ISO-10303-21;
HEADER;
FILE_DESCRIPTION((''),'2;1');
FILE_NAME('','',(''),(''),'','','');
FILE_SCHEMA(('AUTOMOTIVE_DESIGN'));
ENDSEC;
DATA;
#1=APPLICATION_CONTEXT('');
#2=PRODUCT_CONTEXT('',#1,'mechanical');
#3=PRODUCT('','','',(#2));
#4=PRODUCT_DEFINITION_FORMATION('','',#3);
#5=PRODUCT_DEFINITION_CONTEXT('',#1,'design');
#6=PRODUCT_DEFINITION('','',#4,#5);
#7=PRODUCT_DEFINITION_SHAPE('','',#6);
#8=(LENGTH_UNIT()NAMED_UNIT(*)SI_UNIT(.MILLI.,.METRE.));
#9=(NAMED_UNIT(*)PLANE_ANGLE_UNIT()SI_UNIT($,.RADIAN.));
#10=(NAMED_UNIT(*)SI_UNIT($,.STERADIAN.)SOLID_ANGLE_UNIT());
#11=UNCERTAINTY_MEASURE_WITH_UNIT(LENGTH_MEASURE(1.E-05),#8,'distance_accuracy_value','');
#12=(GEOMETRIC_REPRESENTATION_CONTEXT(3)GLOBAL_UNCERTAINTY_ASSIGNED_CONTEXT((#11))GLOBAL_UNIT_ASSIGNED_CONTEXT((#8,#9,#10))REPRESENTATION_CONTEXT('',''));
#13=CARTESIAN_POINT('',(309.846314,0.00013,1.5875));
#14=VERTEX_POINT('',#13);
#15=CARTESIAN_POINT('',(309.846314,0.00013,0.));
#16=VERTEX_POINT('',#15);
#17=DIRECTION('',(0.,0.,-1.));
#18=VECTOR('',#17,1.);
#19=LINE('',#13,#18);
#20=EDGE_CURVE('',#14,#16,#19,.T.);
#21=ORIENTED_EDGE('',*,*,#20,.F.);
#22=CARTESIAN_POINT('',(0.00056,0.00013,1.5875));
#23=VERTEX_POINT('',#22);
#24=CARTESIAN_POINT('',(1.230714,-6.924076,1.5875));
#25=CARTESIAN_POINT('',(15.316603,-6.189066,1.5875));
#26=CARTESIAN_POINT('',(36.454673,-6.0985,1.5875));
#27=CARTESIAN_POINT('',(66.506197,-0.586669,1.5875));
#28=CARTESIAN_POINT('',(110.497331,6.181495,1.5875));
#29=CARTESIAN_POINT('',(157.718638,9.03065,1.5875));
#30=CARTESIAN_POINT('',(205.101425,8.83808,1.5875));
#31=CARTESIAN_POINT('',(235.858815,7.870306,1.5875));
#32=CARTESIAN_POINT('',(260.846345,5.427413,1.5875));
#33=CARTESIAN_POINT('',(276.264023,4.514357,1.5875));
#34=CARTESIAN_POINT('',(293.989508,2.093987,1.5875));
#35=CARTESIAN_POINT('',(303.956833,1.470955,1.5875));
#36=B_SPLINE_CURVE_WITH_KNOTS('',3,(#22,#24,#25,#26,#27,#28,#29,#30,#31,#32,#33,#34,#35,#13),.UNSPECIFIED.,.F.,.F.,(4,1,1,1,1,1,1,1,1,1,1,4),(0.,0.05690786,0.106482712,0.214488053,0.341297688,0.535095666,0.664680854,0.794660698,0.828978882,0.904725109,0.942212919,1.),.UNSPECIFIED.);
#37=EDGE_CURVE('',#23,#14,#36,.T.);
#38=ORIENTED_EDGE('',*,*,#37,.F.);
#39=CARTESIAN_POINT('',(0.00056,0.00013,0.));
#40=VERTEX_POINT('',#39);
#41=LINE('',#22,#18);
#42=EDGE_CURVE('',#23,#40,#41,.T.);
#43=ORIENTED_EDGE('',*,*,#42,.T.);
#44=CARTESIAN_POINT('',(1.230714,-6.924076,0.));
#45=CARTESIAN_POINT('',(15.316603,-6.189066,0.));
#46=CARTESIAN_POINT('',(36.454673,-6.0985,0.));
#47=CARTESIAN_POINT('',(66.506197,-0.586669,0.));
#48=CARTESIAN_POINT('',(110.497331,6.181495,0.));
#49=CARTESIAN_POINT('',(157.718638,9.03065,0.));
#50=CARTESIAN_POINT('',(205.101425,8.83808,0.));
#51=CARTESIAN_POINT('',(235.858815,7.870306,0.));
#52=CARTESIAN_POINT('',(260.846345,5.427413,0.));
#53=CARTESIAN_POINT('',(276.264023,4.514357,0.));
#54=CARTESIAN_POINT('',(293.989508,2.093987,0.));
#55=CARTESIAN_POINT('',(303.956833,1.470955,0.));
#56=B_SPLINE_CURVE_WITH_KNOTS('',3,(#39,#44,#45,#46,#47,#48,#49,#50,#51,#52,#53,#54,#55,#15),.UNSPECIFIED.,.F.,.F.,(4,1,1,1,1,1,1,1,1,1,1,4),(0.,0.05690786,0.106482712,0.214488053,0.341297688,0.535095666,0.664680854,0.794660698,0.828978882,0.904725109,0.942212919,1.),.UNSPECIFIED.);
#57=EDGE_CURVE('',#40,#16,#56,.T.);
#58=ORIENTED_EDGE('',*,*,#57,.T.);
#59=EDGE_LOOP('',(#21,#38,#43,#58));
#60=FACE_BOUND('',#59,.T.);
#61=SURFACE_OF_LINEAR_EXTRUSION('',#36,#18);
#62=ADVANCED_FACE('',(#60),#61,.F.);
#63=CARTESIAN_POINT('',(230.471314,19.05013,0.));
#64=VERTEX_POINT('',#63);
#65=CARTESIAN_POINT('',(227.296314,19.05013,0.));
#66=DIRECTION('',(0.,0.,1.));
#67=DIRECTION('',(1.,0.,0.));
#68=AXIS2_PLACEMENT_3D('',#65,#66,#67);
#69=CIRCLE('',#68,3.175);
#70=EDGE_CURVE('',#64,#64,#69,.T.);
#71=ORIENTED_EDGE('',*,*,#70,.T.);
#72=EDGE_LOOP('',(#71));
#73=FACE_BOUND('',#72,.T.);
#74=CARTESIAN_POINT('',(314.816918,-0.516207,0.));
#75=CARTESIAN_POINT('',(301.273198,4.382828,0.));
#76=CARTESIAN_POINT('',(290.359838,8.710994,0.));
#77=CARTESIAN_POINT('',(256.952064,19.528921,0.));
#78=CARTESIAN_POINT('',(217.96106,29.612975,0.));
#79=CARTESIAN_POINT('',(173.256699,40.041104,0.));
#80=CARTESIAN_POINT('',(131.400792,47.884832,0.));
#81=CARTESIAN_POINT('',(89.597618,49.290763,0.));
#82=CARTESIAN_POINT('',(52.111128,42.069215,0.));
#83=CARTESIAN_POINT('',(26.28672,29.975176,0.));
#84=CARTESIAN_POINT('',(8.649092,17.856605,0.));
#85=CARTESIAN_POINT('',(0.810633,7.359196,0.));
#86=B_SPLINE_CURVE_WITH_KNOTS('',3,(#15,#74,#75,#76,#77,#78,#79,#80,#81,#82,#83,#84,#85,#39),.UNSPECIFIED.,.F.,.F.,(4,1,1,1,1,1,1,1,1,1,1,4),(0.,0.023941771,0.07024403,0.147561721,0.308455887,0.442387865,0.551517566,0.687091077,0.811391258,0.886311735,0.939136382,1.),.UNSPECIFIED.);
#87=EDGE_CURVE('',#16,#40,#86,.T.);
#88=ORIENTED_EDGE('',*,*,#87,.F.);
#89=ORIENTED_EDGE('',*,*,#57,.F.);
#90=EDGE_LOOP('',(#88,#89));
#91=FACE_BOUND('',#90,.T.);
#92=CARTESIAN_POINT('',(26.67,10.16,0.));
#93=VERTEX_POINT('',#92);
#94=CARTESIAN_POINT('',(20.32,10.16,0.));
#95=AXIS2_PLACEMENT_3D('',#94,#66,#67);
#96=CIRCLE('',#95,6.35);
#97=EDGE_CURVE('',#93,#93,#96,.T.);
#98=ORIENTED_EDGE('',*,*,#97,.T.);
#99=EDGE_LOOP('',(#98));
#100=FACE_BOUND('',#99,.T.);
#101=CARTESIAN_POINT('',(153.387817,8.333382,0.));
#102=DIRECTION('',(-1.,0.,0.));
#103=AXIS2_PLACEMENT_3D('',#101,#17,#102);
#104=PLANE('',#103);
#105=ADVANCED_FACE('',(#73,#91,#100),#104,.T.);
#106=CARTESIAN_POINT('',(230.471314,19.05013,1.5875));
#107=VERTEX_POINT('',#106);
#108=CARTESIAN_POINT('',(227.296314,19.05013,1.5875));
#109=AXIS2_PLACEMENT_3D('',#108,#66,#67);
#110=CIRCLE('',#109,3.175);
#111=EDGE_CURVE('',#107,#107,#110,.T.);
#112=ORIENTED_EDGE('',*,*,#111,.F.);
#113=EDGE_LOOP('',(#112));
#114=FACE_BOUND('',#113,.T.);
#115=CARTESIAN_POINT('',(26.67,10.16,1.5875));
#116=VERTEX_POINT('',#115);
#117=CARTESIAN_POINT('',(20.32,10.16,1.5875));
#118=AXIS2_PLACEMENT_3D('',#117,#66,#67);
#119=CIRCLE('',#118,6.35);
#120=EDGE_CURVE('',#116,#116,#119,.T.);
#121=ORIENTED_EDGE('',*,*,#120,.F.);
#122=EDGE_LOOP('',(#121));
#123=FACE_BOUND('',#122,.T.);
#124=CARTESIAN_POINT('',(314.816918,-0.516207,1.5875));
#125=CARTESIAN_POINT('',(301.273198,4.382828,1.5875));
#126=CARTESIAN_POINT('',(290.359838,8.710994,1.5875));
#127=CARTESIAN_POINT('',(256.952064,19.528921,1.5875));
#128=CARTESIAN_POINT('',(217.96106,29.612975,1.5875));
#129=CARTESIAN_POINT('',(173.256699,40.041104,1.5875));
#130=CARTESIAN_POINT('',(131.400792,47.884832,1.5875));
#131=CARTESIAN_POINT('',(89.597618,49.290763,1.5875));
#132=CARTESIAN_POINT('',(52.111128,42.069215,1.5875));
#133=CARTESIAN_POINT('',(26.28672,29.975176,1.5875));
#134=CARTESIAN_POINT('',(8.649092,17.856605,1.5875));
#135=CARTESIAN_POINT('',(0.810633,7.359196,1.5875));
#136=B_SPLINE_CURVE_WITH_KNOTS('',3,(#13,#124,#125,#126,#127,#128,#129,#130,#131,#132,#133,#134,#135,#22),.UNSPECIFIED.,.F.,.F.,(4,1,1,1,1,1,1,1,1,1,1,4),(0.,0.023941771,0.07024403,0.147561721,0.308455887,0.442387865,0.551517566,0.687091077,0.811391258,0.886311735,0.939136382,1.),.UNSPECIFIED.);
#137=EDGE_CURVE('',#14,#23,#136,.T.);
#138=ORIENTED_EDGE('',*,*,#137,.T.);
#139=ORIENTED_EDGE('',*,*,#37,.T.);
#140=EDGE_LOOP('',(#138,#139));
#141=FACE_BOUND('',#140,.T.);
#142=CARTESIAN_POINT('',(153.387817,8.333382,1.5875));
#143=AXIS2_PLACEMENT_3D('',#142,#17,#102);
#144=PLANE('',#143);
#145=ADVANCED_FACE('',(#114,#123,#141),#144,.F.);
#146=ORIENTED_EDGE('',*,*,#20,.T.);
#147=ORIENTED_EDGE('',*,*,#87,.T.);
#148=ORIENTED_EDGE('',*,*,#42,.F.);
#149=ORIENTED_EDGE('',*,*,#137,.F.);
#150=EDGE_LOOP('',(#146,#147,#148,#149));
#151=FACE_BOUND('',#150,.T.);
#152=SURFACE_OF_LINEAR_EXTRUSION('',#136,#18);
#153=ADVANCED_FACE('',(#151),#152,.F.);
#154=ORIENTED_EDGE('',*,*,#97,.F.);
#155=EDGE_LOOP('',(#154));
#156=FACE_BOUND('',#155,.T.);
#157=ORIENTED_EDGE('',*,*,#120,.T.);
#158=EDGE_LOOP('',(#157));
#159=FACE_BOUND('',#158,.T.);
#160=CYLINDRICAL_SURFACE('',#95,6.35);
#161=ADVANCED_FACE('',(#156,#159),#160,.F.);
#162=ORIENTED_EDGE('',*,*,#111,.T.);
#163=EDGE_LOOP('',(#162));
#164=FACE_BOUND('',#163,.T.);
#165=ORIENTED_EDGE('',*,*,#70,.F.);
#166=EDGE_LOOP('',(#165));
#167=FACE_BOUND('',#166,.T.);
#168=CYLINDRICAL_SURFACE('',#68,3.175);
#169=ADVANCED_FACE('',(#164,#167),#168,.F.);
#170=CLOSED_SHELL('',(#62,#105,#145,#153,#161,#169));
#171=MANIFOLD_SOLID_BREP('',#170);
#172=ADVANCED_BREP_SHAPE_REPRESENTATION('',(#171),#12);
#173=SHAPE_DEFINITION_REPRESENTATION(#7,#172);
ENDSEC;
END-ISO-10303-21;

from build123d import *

# Parameters (mm, degrees)
BOSS_EXTRUDE1_DEPTH = 1.5875
SKETCH2_R           = 6.35
SKETCH2_R_2         = 3.175
CUT_EXTRUDE1_DEPTH  = 316.731983488


with BuildPart() as part:
    # Sketch1 → Boss-Extrude1 (new body)
    with BuildSketch(Plane.XY):
        with BuildLine():
            add(Edge.make_bspline(
                [(0.000560351, 0.000130087), (0.810633127, 7.359196055), (8.649092025, 17.856605174), (26.286719818, 29.975176328), (52.111128271, 42.069215275), (89.597618475, 49.290763054), (131.400792109, 47.884831915), (173.256699242, 40.041104278), (217.961060472, 29.612974894), (256.952064401, 19.528920948), (290.35983767, 8.71099439), (301.273197721, 4.382828139), (314.816918223, -0.516206742), (309.846313895, 0.000130087)],
                knots=[0, 0, 0, 0, 0.060863618, 0.113688265, 0.188608742, 0.312908923, 0.448482434, 0.557612135, 0.691544113, 0.852438279, 0.92975597, 0.976058229, 1, 1, 1, 1], degree=3))
            add(Edge.make_bspline(
                [(309.846313895, 0.000130087), (303.956832565, 1.47095521), (293.989507544, 2.093987313), (276.26402299, 4.514356704), (260.846344817, 5.427413394), (235.858814759, 7.870306192), (205.101424636, 8.838080282), (157.718638092, 9.030650149), (110.497331172, 6.181495223), (66.506197185, -0.586669107), (36.454672816, -6.098499901), (15.316603331, -6.189065841), (1.230714189, -6.924076091), (0.000560351, 0.000130087)],
                knots=[0, 0, 0, 0, 0.057787081, 0.095274891, 0.171021118, 0.205339302, 0.335319146, 0.464904334, 0.658702312, 0.785511947, 0.893517288, 0.94309214, 1, 1, 1, 1], degree=3))
        make_face()
    extrude(amount=BOSS_EXTRUDE1_DEPTH)

    # Sketch2 → Cut-Extrude1 (cut, through all)
    with BuildSketch(Plane.XY.offset(1.5875)):
        with Locations((20.32, 10.16)):
            Circle(SKETCH2_R)
        with Locations((227.296313895, 19.050130087)):
            Circle(SKETCH2_R_2)
    extrude(amount=-CUT_EXTRUDE1_DEPTH, mode=Mode.SUBTRACT)


solid = part.part
